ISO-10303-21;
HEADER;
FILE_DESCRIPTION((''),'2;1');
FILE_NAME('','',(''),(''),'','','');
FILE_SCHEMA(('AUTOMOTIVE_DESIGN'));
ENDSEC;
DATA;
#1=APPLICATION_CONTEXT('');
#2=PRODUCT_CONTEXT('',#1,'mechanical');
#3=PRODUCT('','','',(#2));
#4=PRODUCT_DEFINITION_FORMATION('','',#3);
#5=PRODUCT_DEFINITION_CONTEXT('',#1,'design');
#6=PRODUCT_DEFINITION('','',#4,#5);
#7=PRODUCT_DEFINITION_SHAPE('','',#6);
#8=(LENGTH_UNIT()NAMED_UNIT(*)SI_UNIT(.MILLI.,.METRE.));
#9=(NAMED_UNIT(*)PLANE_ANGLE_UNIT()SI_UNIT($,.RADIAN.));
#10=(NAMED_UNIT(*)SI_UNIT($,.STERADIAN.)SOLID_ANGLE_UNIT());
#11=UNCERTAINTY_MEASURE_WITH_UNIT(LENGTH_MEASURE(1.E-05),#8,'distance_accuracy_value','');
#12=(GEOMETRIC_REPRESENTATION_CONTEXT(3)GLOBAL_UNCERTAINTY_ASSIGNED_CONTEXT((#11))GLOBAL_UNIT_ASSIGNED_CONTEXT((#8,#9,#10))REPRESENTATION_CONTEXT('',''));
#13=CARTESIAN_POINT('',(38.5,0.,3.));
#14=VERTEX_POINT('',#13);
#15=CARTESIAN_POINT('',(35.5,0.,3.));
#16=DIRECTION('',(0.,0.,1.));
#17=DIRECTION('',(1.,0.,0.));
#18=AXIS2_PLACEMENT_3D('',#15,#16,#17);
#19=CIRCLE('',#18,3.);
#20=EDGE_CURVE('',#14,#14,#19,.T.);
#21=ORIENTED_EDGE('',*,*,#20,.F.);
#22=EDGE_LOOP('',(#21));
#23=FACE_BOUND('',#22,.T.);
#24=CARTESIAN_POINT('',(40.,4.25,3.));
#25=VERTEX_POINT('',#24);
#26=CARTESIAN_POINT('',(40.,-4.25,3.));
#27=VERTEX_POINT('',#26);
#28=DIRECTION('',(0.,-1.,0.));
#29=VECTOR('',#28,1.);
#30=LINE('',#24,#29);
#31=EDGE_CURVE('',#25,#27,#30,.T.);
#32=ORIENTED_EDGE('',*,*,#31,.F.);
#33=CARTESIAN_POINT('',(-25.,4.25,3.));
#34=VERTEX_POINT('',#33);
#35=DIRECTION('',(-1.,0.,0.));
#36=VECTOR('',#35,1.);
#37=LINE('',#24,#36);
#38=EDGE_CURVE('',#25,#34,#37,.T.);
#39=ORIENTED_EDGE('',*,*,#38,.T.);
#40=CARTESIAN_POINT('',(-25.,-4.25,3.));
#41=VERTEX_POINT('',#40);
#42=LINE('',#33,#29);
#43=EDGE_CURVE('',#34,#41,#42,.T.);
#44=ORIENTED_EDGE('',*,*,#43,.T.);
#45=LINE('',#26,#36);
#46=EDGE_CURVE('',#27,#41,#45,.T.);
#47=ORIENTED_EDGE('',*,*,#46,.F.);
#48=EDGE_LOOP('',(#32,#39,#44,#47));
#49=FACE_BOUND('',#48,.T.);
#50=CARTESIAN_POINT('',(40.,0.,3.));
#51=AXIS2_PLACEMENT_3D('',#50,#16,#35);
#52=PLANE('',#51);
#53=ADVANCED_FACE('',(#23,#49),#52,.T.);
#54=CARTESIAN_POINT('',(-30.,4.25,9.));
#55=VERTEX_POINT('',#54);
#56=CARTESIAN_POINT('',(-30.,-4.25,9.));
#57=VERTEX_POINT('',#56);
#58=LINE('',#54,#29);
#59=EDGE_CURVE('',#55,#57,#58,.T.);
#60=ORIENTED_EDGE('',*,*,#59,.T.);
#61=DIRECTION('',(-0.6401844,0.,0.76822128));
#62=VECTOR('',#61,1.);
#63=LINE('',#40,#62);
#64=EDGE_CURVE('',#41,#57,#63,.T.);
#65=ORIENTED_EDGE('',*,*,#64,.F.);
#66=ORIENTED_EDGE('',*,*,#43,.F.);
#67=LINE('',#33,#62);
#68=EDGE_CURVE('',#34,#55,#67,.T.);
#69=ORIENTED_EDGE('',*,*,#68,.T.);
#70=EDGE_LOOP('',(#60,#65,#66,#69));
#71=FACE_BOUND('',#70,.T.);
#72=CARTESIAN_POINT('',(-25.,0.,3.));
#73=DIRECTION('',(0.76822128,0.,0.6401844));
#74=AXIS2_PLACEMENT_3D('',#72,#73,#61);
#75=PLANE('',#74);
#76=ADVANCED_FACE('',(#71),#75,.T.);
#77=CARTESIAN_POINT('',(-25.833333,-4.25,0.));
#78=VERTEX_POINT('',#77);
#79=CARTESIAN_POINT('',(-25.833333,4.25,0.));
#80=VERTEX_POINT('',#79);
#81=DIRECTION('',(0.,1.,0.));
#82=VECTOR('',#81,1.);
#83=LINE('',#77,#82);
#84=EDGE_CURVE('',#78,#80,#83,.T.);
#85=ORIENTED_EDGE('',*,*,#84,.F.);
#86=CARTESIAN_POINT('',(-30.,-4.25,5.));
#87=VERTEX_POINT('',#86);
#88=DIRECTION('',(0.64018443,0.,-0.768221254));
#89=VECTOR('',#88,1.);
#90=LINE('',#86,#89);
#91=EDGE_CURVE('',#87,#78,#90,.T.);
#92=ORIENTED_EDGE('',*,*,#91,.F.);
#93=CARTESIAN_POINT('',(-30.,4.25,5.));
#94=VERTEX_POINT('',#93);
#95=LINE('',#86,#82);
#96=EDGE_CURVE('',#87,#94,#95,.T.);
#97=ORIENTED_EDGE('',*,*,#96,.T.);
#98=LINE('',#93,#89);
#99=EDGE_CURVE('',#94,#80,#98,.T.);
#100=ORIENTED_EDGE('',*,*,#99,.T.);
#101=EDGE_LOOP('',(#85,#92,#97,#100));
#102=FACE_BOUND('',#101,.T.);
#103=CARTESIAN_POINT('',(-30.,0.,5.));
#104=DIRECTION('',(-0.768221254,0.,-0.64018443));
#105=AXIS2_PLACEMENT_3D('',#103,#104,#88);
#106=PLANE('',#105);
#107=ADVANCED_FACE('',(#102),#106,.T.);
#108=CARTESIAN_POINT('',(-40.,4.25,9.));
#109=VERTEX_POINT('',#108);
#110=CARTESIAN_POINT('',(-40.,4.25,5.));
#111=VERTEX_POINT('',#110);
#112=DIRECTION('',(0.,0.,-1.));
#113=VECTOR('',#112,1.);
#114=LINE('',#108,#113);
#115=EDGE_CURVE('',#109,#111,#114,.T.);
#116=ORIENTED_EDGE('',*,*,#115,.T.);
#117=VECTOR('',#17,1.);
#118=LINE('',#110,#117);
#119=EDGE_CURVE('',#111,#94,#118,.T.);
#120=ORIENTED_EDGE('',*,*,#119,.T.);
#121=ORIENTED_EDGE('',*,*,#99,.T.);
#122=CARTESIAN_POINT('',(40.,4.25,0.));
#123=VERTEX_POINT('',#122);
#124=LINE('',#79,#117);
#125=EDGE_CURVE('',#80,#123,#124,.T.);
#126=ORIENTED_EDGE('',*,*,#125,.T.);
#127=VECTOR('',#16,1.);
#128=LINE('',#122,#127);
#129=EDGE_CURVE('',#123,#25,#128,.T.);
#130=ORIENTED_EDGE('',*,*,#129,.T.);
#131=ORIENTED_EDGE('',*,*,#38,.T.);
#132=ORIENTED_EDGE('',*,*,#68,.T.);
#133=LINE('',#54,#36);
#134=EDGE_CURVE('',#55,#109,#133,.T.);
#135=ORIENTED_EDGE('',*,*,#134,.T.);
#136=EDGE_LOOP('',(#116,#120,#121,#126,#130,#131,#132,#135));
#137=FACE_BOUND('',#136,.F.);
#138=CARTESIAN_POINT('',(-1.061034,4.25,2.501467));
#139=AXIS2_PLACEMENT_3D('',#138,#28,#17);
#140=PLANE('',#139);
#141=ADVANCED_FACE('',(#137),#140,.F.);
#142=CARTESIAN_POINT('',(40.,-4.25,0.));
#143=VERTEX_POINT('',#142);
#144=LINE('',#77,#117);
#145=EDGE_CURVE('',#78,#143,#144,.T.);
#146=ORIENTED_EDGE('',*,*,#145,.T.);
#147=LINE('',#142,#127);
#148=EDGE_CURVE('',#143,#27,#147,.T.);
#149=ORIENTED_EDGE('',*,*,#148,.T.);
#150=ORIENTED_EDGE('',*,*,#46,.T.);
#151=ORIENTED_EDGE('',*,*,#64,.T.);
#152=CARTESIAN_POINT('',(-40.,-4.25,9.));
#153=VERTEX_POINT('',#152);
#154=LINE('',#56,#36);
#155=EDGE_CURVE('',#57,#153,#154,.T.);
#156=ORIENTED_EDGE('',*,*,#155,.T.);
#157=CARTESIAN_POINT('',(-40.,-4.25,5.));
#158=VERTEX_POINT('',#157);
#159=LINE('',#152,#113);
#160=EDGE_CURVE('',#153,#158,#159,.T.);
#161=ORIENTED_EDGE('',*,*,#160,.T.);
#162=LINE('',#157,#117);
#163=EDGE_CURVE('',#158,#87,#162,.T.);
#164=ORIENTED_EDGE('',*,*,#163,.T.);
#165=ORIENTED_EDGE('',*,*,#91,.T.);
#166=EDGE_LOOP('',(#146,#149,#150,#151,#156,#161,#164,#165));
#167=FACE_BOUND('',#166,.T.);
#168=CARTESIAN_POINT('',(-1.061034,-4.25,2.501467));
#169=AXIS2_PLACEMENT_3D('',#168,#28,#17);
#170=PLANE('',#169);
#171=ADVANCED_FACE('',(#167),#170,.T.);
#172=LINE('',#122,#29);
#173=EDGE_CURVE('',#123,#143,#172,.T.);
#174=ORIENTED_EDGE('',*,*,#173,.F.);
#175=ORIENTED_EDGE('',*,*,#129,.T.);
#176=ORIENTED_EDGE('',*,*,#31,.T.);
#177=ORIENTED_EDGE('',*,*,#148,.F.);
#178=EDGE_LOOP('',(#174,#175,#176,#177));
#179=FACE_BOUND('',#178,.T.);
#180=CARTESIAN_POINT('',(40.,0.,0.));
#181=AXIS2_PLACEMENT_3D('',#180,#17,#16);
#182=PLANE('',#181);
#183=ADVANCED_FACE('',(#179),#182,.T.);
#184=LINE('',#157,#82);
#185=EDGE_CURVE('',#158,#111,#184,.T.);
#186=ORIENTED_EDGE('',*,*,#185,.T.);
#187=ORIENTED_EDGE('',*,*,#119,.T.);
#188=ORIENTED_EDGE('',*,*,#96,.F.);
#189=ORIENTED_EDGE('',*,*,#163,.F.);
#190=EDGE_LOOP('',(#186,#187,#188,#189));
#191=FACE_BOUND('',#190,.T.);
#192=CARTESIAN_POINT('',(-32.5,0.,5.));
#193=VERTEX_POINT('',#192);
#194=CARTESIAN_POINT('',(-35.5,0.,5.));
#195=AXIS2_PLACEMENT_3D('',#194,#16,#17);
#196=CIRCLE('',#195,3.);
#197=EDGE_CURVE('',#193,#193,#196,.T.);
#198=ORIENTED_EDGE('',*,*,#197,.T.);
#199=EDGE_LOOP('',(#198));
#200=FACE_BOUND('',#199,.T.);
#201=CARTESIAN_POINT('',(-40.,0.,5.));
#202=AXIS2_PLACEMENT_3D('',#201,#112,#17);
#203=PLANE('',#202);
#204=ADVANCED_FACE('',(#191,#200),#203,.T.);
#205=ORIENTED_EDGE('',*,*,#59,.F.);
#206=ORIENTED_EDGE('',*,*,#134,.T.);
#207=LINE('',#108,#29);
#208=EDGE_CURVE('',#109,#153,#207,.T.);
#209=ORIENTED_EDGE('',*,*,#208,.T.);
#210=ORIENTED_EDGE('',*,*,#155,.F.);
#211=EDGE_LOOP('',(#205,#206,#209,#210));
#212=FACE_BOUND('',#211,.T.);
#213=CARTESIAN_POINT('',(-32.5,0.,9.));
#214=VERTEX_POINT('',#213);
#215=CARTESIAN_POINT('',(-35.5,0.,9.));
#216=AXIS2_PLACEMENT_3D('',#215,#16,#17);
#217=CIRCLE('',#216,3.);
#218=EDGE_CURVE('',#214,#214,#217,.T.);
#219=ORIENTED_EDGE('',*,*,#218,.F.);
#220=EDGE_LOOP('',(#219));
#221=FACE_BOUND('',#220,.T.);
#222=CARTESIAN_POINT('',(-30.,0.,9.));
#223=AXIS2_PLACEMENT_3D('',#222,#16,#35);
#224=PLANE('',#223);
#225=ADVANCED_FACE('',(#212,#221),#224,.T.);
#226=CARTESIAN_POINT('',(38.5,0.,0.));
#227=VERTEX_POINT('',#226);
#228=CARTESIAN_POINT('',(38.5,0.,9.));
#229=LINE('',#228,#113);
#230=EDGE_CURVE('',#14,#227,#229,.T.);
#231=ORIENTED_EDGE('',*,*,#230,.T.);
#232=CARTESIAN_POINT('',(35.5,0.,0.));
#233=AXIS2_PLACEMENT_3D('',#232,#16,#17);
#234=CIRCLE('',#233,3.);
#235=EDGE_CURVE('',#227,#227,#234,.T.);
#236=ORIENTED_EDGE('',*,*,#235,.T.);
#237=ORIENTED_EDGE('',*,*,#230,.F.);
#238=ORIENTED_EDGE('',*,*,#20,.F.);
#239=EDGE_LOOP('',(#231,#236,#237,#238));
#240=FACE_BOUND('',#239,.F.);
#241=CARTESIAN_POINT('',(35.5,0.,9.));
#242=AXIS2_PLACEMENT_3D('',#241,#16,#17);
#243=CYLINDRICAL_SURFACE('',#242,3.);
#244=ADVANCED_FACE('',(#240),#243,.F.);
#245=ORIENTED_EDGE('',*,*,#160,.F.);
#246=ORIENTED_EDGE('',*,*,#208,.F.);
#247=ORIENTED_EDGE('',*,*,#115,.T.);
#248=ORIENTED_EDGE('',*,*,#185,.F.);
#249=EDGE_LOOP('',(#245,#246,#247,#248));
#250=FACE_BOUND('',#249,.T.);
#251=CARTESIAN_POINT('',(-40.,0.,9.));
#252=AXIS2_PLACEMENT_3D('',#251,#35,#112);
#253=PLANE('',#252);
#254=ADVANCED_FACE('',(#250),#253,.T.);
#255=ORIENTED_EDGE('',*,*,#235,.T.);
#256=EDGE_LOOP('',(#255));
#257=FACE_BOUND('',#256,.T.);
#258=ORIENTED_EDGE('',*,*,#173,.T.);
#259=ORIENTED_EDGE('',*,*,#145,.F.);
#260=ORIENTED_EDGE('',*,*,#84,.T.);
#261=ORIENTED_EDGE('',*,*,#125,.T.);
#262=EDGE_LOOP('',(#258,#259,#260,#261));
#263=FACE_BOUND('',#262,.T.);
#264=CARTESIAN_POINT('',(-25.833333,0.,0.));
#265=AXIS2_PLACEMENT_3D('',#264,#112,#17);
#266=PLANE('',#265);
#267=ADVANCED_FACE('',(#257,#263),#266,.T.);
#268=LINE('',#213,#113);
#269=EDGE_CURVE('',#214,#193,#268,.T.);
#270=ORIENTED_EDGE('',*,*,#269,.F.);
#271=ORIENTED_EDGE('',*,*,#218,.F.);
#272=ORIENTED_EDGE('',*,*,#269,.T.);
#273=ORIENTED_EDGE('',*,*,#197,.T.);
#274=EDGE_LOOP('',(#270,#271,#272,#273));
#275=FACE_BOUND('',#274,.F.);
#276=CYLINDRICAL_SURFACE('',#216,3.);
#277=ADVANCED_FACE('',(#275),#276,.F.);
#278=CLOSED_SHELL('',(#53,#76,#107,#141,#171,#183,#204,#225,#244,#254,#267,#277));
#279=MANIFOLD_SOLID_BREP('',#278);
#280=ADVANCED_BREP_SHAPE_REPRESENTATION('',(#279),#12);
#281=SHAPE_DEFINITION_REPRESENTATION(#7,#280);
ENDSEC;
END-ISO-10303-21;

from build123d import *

# Parameters (mm, degrees)
F1_DEPTH = 4.25
F2_R     = 3
F3_DEPTH = 25


with BuildPart() as f1:
    # F0 (on Front) → F1 (new body, symmetric)
    with BuildSketch(Plane.XZ):
        Polygon((-25.833333, 0), (0, 0), (40, 0), (40, 3), (-25, 3), (-30, 9), (-40, 9), (-40, 5), (-30, 5), align=None)
    extrude(amount=F1_DEPTH, both=True)

    # F2 (on face) → F3 (cut)
    with BuildSketch(Plane.XY.offset(9)):
        with Locations((-35.5, 0)):
            Circle(F2_R)
        with Locations((35.5, 0)):
            Circle(F2_R)
    extrude(amount=-F3_DEPTH, mode=Mode.SUBTRACT)


solid = f1.part
